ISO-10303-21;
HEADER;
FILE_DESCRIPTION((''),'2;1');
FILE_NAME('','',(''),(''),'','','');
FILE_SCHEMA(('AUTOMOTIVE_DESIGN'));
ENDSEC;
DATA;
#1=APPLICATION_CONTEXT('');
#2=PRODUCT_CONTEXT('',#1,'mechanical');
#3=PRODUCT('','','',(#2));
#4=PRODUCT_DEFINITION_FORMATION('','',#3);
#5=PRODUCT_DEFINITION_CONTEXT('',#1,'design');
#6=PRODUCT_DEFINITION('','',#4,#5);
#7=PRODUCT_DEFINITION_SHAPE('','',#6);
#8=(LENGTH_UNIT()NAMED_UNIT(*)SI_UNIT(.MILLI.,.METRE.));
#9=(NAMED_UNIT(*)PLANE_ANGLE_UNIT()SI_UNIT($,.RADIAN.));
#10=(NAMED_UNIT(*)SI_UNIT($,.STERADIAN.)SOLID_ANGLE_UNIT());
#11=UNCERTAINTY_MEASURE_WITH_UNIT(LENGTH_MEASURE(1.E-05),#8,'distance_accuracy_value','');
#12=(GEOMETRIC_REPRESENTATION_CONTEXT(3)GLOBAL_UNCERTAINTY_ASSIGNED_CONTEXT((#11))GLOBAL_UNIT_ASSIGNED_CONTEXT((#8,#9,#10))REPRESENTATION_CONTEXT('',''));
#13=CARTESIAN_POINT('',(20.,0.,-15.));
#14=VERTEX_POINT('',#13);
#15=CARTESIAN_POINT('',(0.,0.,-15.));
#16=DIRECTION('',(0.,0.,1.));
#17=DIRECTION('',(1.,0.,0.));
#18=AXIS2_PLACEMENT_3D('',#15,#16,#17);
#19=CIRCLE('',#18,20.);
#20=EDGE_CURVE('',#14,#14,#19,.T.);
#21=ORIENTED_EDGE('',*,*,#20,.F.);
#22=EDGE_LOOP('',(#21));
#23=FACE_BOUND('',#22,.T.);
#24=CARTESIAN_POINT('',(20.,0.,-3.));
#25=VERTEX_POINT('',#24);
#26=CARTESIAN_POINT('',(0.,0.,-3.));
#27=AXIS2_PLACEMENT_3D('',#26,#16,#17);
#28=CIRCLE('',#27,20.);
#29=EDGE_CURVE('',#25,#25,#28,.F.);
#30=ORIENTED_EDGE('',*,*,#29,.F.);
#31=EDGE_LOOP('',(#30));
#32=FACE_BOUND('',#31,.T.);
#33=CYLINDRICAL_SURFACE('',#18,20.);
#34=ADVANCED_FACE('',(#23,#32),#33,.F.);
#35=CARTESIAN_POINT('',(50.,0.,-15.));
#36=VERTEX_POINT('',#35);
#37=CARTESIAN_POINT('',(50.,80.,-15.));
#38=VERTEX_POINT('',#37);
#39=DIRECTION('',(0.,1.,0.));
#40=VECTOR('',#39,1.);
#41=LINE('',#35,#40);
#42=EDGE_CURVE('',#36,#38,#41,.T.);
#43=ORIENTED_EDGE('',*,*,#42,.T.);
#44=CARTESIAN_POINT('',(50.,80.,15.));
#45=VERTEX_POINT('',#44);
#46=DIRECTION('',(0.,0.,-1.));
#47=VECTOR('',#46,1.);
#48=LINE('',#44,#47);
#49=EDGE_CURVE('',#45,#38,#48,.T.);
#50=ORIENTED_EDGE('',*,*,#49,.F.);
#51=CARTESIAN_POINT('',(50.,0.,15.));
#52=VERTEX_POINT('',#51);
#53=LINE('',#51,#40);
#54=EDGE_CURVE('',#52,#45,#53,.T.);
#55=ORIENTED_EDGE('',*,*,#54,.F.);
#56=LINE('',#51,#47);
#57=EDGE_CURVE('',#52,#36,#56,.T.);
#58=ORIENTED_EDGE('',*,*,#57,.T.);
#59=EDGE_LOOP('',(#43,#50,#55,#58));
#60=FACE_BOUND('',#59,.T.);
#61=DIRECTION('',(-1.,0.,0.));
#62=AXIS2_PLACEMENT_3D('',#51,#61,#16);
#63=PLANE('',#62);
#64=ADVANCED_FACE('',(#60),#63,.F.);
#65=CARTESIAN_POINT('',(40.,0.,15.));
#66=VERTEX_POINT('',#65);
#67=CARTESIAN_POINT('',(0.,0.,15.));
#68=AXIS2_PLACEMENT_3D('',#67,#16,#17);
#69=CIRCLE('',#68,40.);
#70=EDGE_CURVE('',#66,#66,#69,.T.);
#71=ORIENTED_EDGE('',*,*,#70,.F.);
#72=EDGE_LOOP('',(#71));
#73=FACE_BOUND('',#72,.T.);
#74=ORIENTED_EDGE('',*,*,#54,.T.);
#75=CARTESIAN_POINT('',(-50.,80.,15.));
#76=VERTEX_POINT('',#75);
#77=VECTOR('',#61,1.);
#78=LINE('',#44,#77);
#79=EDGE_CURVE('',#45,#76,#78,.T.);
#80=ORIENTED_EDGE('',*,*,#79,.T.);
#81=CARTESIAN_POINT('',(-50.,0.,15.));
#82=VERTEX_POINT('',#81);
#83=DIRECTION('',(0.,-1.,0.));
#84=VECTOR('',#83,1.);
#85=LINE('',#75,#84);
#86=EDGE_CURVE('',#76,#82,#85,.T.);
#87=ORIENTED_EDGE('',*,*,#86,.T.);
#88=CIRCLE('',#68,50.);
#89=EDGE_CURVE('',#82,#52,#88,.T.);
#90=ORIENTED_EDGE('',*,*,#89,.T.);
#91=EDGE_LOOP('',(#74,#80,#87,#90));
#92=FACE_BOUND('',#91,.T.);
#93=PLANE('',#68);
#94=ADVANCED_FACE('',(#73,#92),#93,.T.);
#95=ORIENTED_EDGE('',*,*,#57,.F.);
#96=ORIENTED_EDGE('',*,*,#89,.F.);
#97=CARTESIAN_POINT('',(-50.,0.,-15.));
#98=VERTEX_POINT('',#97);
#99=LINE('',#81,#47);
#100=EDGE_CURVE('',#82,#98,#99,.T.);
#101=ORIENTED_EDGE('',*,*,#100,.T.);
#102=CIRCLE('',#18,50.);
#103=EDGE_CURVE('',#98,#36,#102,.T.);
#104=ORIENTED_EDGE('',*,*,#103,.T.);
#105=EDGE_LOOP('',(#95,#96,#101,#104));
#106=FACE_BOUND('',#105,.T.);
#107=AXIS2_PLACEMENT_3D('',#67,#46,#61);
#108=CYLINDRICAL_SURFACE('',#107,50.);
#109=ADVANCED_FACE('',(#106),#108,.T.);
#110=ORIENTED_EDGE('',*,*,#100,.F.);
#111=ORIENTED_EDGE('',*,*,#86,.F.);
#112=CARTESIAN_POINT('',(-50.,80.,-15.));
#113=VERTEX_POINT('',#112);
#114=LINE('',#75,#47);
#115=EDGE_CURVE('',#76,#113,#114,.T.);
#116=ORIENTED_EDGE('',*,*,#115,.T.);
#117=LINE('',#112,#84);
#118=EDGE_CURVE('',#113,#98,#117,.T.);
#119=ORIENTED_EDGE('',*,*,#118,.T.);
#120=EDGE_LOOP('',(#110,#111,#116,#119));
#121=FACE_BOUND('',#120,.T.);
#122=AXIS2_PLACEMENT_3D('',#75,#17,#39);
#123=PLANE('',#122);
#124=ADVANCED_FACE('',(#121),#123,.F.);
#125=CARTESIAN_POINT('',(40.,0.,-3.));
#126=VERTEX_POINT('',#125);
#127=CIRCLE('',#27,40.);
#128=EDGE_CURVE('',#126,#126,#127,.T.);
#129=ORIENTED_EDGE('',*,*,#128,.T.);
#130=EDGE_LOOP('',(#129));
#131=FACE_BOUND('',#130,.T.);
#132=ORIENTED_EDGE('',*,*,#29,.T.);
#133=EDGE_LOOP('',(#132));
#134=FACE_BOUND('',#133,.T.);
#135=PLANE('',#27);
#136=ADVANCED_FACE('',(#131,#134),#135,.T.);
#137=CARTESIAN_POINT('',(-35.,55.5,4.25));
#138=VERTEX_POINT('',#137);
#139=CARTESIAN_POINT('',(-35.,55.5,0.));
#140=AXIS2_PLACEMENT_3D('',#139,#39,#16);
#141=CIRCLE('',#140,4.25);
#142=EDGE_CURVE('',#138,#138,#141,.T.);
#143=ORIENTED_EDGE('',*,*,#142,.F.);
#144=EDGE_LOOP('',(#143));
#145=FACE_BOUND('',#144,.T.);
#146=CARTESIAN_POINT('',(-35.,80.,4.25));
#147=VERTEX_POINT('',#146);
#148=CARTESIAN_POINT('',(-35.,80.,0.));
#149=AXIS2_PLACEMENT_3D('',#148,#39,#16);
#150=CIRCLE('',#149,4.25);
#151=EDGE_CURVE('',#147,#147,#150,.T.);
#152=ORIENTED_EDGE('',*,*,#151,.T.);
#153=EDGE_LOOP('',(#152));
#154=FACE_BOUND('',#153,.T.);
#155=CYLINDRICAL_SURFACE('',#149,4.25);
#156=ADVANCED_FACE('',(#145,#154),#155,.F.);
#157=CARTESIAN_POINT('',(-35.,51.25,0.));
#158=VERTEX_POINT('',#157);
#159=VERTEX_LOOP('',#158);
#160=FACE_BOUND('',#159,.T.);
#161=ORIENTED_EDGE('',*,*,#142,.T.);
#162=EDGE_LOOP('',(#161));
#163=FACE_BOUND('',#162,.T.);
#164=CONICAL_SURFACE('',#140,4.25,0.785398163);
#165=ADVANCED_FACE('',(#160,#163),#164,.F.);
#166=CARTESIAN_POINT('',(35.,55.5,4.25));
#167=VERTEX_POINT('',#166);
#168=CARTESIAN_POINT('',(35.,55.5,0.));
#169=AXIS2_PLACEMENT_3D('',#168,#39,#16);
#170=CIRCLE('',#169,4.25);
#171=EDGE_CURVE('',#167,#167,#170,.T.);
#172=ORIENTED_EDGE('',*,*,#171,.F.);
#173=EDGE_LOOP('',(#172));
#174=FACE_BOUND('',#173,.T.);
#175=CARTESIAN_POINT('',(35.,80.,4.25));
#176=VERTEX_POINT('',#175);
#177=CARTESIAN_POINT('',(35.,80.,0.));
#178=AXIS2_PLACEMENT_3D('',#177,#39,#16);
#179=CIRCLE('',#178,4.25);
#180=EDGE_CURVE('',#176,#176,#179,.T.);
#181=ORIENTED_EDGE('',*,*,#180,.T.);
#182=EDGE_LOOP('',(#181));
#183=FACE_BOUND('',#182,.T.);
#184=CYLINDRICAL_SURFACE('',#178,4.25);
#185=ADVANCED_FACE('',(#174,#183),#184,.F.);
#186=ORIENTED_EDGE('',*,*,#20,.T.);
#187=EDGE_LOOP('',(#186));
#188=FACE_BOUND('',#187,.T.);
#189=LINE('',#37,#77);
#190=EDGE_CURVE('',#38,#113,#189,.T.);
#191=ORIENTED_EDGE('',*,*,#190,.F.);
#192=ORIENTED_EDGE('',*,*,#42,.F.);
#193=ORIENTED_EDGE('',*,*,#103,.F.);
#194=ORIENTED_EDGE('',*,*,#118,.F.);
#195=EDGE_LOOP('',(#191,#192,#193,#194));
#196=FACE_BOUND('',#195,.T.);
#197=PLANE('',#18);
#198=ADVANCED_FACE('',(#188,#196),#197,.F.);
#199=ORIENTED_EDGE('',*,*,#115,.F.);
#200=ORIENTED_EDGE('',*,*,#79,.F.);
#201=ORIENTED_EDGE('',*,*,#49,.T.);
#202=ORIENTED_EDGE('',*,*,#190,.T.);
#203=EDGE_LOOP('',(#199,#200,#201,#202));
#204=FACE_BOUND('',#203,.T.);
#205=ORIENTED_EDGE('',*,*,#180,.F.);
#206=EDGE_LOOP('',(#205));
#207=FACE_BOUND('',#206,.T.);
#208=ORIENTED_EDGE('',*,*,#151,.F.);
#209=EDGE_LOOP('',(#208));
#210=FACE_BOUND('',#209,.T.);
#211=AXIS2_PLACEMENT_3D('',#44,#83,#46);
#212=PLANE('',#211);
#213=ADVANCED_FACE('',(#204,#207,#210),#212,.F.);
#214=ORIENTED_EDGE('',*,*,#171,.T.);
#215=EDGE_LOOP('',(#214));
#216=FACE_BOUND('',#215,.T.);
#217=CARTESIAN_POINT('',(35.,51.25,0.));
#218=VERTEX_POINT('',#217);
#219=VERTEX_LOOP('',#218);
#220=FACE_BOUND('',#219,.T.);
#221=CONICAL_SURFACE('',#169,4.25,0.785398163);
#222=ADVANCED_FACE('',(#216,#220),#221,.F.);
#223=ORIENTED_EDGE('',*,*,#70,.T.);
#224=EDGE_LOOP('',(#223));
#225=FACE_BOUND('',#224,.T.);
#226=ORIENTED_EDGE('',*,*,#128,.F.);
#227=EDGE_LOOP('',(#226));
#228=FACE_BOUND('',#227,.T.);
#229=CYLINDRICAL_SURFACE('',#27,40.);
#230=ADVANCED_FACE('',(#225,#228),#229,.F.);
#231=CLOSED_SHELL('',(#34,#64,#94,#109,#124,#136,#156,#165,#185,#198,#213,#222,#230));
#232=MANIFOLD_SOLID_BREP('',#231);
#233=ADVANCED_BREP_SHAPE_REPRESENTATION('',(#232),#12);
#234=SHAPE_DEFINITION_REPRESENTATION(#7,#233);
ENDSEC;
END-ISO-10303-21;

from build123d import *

# Parameters (mm, degrees)
BOSS_EXTRUDE1_DEPTH    = 15
SKETCH3_R              = 20
CUT_EXTRUDE1_DEPTH     = 99.994949366
SKETCH4_R              = 40
CUT_EXTRUDE2_DEPTH     = 18
M10_TAPPED_HOLE1_D     = 8.5
M10_TAPPED_HOLE1_DEPTH = 24.5
M10_TAPPED_HOLE1_TIP   = 4.25


with BuildPart() as part:
    # Sketch1 → Boss-Extrude1 (new, symmetric)
    with BuildSketch(Plane.XY):
        with BuildLine():
            Line((-50, 80), (-50, 0))
            ThreePointArc((-50, 0), (0, -50), (50, 0))
            Line((50, 0), (50, 80))
            Line((50, 80), (-50, 80))
        make_face()
    extrude(amount=BOSS_EXTRUDE1_DEPTH, both=True)

    # Sketch3 → Cut-Extrude1 (cut, through all)
    with BuildSketch(Plane.XY.offset(15)):
        Circle(SKETCH3_R)
    extrude(amount=-CUT_EXTRUDE1_DEPTH, mode=Mode.SUBTRACT)

    # Sketch4 → Cut-Extrude2 (cut)
    with BuildSketch(Plane.XY.offset(15)):
        Circle(SKETCH4_R)
    extrude(amount=-CUT_EXTRUDE2_DEPTH, mode=Mode.SUBTRACT)

    # M10 Tapped Hole1
    with Locations(Plane(origin=(-35, 80, 0), x_dir=(0, 0, 1), z_dir=(0, 1, 0))):
        with Locations((0, 0), (0, 70)):
            Hole(M10_TAPPED_HOLE1_D / 2, depth=M10_TAPPED_HOLE1_DEPTH)
            with Locations((0, 0, -(M10_TAPPED_HOLE1_DEPTH + M10_TAPPED_HOLE1_TIP / 2))):  # 90° drill point
                Cone(0, M10_TAPPED_HOLE1_D / 2, M10_TAPPED_HOLE1_TIP, mode=Mode.SUBTRACT)


solid = part.part
